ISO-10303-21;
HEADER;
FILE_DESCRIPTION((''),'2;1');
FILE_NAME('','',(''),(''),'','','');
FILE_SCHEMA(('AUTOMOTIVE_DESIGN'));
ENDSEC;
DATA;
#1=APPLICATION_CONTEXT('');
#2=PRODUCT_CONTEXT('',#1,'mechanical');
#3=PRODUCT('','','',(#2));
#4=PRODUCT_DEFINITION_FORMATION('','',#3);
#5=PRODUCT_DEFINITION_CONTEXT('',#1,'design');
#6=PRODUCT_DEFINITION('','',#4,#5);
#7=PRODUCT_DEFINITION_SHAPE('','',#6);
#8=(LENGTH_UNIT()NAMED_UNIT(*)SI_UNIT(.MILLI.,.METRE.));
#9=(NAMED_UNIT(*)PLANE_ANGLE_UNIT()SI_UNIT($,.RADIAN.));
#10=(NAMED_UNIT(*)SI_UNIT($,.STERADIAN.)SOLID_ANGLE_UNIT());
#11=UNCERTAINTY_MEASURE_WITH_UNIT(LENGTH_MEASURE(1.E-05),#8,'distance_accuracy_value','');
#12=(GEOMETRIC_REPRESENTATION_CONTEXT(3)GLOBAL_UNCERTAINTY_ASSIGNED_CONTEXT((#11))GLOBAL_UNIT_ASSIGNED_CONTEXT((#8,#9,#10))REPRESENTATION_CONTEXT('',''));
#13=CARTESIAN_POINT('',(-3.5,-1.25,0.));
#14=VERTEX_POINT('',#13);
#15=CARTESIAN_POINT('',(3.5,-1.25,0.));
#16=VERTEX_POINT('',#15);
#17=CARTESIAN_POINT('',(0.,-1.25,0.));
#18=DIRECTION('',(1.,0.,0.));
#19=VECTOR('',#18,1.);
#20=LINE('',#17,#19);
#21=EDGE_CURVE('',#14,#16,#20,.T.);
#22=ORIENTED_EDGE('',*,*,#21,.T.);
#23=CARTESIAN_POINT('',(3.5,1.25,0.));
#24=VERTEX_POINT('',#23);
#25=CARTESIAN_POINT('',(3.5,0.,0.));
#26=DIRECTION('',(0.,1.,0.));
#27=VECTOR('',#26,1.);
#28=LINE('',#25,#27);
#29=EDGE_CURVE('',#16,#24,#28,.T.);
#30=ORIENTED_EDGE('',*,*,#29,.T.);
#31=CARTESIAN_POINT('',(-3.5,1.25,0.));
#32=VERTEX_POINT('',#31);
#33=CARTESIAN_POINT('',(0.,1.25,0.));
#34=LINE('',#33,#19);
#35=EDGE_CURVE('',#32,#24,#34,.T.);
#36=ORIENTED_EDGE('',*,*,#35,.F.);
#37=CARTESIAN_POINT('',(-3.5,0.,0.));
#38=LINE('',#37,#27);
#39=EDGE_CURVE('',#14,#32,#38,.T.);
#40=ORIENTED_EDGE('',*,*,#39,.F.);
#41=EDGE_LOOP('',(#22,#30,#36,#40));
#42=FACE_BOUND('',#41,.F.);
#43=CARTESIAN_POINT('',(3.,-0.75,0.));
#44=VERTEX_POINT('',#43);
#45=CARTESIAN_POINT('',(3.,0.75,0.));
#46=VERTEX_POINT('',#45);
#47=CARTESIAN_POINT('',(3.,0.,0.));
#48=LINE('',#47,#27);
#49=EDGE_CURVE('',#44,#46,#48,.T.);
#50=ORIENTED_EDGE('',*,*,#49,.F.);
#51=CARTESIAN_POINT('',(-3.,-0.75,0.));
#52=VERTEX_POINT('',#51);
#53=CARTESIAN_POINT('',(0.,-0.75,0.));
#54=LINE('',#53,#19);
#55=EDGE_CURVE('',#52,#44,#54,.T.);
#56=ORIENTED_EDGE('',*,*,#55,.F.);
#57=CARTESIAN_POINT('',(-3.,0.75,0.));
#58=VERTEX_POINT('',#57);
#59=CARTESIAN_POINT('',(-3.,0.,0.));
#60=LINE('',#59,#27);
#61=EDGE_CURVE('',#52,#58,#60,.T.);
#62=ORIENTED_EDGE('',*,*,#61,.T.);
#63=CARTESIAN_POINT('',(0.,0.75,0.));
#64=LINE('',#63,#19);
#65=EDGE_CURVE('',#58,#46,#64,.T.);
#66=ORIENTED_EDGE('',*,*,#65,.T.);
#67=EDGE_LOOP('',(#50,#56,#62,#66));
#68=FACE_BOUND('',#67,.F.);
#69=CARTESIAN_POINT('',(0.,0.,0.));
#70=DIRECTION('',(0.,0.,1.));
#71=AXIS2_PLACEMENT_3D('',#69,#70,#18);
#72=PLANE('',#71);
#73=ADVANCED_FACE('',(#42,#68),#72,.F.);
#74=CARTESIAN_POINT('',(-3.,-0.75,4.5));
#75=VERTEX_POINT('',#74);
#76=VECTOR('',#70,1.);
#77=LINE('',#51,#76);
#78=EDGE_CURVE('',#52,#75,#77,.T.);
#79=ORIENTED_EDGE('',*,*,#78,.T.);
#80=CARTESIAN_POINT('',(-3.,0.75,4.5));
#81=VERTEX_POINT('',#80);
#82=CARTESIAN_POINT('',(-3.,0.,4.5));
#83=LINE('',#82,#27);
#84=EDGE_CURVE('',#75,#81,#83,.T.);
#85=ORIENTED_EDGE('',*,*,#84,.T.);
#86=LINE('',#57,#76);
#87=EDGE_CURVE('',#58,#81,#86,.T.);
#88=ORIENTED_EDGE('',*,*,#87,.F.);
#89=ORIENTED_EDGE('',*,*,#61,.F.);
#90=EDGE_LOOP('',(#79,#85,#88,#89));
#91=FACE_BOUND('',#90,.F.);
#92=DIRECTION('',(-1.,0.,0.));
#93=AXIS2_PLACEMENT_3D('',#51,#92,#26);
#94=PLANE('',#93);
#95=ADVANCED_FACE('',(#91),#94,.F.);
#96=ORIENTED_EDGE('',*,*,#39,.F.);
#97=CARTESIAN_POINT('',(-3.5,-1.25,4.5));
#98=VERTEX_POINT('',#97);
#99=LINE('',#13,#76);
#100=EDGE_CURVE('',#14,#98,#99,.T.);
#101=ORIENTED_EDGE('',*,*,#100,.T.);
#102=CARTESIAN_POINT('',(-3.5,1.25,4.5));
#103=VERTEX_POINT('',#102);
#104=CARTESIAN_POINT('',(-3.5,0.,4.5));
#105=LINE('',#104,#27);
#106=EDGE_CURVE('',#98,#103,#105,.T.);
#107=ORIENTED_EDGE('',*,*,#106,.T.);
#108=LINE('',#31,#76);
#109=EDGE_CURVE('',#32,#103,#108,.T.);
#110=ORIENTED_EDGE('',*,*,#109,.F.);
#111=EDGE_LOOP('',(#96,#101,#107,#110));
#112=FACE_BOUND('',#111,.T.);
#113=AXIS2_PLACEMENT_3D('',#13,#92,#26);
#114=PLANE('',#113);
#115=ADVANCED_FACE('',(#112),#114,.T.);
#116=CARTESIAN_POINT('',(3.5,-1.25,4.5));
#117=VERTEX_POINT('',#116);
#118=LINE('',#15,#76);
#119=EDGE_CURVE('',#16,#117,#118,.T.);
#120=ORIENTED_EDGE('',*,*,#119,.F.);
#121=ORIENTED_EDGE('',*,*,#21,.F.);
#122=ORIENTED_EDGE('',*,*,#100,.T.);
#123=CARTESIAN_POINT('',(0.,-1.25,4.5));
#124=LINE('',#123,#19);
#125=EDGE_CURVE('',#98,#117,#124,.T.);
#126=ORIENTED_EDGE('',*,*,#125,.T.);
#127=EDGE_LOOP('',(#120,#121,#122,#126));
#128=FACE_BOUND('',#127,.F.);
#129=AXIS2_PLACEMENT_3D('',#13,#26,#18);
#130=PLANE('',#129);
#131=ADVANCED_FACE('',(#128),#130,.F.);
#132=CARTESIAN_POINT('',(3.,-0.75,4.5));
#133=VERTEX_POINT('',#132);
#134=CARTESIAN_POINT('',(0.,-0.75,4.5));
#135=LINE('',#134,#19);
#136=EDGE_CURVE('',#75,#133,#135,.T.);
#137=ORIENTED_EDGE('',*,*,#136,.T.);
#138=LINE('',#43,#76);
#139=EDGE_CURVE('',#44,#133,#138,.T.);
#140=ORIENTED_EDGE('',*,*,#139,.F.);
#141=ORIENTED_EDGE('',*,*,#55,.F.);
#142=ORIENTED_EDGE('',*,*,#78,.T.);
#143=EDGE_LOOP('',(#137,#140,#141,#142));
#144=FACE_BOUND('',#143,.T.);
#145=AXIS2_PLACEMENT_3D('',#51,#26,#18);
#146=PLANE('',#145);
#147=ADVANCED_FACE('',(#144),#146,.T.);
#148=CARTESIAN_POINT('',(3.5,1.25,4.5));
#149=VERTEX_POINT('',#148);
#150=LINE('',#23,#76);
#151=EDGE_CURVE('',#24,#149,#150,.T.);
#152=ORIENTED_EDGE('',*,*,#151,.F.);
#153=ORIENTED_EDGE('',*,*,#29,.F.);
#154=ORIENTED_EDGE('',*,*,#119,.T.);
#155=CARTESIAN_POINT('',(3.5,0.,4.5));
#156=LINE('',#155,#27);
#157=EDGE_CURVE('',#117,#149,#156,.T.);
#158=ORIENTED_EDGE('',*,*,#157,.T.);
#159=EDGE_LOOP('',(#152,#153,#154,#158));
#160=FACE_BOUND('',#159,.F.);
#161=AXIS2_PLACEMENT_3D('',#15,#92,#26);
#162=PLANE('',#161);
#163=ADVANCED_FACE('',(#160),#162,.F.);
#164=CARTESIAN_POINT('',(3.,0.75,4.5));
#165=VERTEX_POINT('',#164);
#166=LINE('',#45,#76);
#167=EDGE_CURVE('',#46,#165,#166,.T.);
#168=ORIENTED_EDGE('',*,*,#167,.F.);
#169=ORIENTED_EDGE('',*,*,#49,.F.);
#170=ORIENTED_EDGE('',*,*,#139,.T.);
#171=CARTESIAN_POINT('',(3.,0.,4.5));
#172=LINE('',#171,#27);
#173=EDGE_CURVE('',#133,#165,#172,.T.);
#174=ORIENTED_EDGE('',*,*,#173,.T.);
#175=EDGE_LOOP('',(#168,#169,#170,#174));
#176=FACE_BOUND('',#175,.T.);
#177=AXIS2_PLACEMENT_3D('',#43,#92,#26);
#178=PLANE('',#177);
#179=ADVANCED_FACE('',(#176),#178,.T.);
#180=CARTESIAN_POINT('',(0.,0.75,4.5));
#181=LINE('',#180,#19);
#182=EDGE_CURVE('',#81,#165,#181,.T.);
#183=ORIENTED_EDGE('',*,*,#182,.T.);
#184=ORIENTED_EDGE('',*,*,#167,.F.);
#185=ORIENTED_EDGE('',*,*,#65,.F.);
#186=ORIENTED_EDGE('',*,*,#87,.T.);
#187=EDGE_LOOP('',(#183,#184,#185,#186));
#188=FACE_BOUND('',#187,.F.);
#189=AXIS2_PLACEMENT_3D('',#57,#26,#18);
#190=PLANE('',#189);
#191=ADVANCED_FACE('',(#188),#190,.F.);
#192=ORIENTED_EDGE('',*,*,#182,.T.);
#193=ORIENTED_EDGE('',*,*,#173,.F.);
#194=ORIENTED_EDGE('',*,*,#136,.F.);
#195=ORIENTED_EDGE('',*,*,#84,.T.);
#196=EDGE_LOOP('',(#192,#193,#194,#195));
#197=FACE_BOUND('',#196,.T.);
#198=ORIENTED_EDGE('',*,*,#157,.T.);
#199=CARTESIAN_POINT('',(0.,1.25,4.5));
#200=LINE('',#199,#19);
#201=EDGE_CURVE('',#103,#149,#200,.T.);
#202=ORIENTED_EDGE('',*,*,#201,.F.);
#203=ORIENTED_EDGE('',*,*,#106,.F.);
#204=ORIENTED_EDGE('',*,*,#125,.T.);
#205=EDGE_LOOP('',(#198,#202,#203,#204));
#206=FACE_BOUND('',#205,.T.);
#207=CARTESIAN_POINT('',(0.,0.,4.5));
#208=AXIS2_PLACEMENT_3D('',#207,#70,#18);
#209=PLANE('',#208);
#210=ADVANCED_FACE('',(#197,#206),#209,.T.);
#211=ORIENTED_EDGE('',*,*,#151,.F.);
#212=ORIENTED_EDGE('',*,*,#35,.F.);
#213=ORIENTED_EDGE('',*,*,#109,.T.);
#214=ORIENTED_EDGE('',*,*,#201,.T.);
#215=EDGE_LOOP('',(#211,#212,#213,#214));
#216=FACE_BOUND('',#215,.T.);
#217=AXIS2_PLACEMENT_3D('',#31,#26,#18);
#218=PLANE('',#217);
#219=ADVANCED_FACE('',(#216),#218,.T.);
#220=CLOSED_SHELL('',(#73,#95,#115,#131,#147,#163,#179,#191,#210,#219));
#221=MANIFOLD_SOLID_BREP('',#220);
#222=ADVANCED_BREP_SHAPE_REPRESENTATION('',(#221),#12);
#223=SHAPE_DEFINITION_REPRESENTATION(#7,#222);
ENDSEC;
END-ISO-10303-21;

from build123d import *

# Parameters (mm, degrees)
SKETCH_W   = 7
SKETCH_H   = 2.5
SKETCH_W_2 = 6
SKETCH_H_2 = 1.5
PAD_DEPTH  = 4.5


with BuildPart() as part:
    # Sketch → Pad (new body)
    with BuildSketch(Plane.XY):
        Rectangle(SKETCH_W, SKETCH_H)
        Rectangle(SKETCH_W_2, SKETCH_H_2, mode=Mode.SUBTRACT)
    extrude(amount=PAD_DEPTH)


solid = part.part
